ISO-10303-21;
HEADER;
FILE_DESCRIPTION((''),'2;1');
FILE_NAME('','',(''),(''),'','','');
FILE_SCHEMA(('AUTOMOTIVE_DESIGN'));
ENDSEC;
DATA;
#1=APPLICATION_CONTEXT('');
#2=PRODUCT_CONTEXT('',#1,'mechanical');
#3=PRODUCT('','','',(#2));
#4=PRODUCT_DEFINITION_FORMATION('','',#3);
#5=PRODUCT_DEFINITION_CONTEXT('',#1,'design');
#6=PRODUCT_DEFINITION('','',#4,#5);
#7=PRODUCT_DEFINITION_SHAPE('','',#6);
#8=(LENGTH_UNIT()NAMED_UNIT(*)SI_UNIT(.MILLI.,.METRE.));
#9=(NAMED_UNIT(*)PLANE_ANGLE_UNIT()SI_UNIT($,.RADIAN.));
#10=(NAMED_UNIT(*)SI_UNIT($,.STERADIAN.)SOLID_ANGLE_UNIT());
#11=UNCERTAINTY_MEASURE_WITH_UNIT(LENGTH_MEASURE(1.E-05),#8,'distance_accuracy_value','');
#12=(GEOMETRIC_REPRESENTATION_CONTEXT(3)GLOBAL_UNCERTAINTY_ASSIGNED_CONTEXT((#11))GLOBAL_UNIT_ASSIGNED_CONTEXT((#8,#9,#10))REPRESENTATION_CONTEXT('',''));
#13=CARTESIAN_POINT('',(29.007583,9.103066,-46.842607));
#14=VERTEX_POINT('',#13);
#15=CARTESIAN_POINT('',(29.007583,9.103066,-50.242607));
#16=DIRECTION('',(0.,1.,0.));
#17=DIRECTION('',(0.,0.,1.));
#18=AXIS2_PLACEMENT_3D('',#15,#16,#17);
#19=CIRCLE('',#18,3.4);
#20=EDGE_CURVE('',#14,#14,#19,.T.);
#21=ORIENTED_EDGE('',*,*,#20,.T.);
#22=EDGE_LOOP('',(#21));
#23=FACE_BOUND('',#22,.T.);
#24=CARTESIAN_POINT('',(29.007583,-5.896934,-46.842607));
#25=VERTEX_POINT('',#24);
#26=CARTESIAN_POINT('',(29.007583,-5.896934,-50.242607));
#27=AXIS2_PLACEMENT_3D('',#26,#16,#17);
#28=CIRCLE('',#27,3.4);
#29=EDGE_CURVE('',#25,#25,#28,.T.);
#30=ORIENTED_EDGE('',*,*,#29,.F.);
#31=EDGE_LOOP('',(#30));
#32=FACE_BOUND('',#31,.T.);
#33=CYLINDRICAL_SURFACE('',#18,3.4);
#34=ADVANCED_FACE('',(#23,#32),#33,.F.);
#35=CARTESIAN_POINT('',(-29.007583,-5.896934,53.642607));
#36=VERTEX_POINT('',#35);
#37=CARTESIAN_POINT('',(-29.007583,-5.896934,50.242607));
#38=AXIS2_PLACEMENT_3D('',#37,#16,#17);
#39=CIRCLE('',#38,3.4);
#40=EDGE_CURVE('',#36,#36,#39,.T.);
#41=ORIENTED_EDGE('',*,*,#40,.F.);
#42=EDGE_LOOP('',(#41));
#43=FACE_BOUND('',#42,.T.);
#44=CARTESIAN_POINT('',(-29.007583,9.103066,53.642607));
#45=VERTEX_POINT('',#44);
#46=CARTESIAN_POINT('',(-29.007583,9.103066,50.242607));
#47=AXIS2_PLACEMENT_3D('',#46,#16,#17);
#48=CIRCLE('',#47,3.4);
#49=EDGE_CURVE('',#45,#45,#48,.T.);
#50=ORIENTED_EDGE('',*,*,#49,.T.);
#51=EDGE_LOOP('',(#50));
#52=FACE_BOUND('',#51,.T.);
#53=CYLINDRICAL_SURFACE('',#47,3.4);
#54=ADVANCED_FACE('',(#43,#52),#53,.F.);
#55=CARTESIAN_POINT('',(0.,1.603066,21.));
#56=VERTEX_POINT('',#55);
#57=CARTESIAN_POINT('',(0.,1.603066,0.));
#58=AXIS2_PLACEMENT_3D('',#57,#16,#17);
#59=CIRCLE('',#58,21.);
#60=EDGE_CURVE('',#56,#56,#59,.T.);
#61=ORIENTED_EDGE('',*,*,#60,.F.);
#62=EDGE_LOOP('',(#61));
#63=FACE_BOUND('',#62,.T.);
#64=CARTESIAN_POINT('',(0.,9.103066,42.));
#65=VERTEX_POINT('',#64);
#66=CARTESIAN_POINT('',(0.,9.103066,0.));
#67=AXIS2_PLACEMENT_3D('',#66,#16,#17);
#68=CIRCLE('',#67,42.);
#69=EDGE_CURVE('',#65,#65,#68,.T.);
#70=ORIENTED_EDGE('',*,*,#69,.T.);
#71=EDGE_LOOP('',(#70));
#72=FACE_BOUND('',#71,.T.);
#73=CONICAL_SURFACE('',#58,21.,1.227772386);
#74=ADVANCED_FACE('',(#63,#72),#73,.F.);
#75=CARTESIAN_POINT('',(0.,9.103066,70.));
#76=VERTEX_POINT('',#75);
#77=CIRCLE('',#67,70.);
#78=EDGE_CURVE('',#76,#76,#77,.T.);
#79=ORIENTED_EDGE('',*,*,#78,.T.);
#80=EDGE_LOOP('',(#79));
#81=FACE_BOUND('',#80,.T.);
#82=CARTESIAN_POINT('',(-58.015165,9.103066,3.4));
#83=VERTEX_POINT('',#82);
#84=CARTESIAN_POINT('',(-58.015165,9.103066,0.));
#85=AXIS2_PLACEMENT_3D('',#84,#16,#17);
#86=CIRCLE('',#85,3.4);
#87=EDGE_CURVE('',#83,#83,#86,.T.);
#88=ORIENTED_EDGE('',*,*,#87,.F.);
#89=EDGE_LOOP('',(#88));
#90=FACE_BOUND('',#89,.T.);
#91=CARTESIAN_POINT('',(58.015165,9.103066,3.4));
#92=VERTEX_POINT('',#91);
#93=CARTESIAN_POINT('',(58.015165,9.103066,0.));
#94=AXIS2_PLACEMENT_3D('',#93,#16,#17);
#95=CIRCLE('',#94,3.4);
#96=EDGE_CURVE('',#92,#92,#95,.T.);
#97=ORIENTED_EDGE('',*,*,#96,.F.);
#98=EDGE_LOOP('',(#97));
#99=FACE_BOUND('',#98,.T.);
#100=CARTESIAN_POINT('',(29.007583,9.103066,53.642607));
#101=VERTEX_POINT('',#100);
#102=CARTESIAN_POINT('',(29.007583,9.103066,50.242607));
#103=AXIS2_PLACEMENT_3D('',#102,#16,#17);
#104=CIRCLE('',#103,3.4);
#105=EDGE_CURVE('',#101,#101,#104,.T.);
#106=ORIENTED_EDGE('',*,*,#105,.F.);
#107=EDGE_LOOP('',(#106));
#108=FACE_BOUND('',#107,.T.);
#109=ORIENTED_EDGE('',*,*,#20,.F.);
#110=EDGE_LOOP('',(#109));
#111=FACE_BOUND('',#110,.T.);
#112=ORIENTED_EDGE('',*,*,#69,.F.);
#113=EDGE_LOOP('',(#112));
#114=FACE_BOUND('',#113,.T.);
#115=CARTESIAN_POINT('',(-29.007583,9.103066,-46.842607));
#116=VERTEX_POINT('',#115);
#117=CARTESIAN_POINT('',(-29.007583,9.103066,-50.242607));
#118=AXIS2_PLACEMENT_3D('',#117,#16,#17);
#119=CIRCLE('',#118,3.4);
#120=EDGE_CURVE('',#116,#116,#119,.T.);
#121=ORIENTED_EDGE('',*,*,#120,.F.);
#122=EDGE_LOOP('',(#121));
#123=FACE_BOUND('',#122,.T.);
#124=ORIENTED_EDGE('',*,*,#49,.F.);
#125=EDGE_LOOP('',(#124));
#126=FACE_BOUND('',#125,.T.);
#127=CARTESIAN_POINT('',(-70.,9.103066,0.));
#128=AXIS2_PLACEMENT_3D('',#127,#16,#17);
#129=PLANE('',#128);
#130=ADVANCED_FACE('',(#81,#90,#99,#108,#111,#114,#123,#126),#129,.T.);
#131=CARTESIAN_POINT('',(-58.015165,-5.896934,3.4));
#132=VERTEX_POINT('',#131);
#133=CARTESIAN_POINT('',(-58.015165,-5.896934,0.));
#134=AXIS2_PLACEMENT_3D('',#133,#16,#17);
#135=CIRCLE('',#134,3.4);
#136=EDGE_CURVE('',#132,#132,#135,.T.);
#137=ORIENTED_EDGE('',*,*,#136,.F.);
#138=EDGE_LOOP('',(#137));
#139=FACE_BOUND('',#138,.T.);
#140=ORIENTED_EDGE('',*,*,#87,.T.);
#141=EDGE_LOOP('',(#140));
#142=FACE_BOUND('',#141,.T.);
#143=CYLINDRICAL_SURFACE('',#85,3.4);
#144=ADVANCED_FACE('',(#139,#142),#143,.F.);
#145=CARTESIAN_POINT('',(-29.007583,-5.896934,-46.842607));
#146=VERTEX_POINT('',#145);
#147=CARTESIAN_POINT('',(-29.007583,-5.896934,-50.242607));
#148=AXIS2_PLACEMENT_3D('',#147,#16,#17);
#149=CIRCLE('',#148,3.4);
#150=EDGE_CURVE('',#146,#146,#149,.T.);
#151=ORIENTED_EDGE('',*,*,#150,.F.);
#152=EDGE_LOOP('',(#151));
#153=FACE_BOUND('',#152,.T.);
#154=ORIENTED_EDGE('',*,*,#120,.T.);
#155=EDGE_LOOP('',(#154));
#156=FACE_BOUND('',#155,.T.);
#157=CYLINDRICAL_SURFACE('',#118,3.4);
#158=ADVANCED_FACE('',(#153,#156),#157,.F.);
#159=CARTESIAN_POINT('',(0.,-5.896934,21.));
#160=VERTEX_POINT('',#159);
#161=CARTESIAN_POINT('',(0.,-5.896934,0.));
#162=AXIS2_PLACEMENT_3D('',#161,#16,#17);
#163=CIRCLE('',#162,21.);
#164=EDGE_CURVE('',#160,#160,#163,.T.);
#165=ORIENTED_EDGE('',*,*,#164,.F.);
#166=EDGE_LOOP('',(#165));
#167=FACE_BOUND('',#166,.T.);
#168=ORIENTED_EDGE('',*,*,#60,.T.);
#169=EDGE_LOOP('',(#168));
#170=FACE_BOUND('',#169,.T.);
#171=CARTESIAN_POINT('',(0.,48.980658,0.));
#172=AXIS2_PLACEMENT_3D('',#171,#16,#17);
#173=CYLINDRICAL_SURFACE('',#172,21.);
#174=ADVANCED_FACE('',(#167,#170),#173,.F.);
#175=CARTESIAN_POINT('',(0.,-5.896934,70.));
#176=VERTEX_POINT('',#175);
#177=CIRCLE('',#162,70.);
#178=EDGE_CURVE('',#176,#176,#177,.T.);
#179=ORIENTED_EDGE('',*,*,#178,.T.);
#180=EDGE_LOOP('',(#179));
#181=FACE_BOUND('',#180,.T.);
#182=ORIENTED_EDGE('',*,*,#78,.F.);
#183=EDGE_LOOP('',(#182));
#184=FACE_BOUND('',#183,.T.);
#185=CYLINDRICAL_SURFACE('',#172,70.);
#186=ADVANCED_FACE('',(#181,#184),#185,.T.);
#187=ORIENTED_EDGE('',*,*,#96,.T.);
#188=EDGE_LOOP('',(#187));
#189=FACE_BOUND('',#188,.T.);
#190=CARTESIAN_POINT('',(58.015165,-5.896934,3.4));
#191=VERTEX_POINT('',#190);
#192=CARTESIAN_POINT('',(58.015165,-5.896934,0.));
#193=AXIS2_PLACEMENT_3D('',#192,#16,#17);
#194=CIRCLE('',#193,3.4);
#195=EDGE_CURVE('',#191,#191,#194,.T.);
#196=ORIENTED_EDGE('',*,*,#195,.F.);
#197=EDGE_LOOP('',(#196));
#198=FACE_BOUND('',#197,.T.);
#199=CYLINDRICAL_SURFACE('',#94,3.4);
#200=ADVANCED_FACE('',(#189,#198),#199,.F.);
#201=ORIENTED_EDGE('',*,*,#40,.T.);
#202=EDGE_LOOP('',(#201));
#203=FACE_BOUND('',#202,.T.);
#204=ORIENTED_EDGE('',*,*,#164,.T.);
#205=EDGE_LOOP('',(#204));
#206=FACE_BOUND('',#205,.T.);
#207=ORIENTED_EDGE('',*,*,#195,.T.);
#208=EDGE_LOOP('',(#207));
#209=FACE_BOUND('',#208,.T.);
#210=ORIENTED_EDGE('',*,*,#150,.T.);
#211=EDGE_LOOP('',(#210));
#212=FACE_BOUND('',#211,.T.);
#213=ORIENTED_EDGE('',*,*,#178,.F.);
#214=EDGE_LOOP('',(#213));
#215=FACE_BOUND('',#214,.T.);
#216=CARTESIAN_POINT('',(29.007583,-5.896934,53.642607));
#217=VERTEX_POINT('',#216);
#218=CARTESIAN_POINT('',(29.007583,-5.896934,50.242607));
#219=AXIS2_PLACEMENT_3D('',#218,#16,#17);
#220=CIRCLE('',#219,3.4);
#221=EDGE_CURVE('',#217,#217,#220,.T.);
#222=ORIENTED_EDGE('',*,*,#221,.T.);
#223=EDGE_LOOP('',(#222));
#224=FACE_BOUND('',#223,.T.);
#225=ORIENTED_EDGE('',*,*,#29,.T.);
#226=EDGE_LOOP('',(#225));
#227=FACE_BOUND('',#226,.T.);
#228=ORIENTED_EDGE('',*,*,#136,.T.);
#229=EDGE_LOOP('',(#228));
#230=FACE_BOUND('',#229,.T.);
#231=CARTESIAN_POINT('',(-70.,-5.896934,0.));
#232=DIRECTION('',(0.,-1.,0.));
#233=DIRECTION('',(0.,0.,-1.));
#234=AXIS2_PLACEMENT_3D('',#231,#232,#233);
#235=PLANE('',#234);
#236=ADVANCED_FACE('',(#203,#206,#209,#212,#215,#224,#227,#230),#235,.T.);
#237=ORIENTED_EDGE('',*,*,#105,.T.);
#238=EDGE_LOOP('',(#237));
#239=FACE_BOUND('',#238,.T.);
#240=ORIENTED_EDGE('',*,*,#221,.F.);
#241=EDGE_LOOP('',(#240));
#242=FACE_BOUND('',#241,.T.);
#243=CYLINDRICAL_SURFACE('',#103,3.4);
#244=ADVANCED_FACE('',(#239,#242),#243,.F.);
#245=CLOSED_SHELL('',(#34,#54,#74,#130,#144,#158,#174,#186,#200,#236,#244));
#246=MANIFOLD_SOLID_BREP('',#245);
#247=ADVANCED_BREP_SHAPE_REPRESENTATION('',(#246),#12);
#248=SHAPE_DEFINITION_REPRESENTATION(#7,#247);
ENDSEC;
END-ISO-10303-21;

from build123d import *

# Parameters (mm, degrees)
OTW_R_GWINTOWANY_M81_D = 6.8


with BuildPart() as part:
    # Szkic1 → Obrót1 (revolve)
    with BuildSketch(Plane.XY, mode=Mode.PRIVATE) as obr_t1_sk:
        Polygon((-70, 9.103065775), (-70, -5.896934225), (-21, -5.896934225), (-21, 1.603065775), (-42, 9.103065775), align=None)
    revolve(obr_t1_sk.sketch.rotate(Axis((0, 48.980657748, 0), (0, -1, 0)), 270), axis=Axis((0, 48.980657748, 0), (0, -1, 0)))

    # Otwór gwintowany M81 (through all)
    with Locations(Plane(origin=(0, 9.103065775, 0), x_dir=(1, 0, 0), z_dir=(0, 1, 0))):
        with Locations((-58.015165068, 0), (-29.007582534, 50.242606754), (29.007582534, 50.242606754), (58.015165068, 0), (29.007582534, -50.242606754), (-29.007582534, -50.242606754)):
            Hole(OTW_R_GWINTOWANY_M81_D / 2)


solid = part.part
